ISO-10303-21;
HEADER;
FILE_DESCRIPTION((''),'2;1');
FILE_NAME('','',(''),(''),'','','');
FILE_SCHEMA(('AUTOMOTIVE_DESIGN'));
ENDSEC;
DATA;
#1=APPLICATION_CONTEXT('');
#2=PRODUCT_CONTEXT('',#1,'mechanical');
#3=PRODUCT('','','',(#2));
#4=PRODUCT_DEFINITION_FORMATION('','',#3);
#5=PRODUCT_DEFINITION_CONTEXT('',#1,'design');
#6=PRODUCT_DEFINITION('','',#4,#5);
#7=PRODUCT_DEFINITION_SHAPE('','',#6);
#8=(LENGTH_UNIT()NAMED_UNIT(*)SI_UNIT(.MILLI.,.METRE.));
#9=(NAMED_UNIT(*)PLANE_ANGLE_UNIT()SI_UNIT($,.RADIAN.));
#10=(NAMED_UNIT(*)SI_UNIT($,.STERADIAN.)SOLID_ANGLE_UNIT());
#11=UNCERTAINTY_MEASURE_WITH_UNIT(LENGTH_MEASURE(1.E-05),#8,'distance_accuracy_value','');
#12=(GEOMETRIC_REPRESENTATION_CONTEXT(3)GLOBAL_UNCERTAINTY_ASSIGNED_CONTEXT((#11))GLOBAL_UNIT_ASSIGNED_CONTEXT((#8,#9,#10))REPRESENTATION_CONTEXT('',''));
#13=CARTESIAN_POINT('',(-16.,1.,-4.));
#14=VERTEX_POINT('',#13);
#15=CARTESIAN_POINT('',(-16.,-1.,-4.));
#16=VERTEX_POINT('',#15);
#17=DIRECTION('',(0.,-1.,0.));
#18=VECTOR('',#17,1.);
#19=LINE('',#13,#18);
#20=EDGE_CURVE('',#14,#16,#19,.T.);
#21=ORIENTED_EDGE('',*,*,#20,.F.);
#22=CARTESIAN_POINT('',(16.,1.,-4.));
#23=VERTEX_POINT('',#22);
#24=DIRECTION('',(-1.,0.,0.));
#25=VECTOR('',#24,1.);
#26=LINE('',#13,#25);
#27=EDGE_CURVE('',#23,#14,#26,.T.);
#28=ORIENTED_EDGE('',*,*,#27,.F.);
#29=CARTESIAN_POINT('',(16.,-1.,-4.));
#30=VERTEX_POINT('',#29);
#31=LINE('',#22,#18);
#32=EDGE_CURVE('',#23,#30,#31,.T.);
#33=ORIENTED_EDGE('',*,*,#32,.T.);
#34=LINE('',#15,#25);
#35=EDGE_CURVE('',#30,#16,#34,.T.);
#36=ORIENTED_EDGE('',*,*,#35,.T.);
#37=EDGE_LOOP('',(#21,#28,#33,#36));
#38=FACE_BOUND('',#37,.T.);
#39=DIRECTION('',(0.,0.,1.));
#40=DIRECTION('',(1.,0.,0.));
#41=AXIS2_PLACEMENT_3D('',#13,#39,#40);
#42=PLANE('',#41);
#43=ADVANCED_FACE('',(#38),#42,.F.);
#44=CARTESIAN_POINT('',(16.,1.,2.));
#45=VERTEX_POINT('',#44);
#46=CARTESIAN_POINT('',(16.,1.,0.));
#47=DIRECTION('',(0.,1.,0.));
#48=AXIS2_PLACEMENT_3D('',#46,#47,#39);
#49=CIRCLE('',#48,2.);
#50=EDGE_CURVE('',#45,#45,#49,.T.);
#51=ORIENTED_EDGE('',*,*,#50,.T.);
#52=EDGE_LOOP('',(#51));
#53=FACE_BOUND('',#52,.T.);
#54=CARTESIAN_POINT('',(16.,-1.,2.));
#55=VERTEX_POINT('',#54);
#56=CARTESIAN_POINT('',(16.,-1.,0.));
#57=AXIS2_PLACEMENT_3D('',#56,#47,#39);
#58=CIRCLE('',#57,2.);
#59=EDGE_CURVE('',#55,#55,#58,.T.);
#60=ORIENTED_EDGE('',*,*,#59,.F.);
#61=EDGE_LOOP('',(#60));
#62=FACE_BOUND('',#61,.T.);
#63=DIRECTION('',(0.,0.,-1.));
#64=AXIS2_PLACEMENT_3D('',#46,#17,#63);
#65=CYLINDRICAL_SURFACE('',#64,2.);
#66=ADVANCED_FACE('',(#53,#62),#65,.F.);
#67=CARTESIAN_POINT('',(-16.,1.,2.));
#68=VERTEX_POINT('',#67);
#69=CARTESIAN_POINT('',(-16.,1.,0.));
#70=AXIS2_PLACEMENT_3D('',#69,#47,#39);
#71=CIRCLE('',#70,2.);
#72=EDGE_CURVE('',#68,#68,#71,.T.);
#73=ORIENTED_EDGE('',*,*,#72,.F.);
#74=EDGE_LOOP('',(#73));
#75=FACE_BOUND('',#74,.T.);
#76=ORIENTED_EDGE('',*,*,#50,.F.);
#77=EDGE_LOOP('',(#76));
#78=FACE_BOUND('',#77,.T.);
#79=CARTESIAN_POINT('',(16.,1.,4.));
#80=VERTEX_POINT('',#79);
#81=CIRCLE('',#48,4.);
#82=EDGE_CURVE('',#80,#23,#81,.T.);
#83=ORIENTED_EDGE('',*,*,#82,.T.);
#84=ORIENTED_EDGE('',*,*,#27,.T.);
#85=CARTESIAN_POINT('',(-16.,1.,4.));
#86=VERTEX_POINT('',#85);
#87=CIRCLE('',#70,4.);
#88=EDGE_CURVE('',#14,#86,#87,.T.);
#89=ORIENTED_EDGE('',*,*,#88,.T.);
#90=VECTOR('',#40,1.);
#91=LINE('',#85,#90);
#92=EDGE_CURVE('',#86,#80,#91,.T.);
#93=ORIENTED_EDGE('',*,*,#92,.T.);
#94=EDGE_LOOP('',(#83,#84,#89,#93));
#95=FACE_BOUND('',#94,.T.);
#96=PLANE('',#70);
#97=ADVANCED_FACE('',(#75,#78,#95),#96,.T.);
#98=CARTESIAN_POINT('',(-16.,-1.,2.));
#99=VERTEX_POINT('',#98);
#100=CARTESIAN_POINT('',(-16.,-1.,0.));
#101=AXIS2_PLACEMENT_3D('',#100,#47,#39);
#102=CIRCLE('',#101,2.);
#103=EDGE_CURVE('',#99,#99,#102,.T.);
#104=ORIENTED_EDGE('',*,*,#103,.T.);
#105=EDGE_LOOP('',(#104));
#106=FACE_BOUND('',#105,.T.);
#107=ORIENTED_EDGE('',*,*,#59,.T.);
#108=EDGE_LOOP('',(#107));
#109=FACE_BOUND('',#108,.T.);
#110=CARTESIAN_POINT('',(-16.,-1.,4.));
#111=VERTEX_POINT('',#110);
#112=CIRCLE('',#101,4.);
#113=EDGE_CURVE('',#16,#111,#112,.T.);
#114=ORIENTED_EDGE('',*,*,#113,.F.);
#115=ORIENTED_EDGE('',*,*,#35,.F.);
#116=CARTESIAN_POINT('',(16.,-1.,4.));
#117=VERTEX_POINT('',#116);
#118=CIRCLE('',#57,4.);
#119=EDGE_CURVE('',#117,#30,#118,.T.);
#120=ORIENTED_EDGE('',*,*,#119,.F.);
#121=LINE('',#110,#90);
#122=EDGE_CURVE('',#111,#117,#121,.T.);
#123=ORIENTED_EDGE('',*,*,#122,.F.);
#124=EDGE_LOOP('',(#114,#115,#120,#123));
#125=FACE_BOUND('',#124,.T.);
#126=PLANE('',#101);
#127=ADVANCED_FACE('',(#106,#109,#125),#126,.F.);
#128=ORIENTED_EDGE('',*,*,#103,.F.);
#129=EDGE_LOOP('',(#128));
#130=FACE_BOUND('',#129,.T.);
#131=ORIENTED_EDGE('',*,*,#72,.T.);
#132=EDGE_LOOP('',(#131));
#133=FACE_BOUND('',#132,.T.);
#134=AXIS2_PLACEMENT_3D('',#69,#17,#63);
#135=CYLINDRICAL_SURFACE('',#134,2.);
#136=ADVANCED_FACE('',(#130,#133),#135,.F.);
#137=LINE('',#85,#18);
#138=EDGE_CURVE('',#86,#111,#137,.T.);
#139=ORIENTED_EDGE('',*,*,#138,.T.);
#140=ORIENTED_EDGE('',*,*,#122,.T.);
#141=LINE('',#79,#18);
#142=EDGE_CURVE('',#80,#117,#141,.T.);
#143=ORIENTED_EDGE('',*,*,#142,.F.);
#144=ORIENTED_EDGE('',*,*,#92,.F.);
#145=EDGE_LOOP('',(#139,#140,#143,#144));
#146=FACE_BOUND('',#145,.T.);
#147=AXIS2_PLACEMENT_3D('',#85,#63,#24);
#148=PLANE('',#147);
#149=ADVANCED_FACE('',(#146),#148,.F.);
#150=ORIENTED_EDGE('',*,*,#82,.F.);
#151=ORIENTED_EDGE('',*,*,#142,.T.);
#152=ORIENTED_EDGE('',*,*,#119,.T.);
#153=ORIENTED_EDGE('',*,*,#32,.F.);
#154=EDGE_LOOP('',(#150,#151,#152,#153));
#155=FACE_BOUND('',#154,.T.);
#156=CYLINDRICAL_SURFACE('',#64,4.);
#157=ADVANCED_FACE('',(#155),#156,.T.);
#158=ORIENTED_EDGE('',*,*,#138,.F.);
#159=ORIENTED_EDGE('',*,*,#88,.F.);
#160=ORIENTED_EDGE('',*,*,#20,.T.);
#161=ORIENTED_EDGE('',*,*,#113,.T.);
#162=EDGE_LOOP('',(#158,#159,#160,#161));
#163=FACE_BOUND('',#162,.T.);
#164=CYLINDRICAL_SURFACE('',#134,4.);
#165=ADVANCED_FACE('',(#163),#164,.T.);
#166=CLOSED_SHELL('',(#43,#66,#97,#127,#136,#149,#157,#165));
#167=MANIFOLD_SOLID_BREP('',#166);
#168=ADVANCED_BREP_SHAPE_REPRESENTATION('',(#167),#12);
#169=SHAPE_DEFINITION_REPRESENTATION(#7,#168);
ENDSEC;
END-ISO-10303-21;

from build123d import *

# Parameters (mm, degrees)
SKETCH2_R           = 2
BOSS_EXTRUDE1_DEPTH = 1


with BuildPart() as part:
    # Sketch2 → Boss-Extrude1 (new body, symmetric)
    with BuildSketch(Plane(origin=(0, 0, 0), x_dir=(1, 0, 0), z_dir=(0, 1, 0))):
        with BuildLine():
            Line((-16, 4), (16, 4))
            ThreePointArc((16, 4), (20, 0), (16, -4))
            Line((16, -4), (-16, -4))
            ThreePointArc((-16, -4), (-20, 0), (-16, 4))
        make_face()
        with Locations((16, 0)):
            Circle(SKETCH2_R, mode=Mode.SUBTRACT)
        with Locations((-16, 0)):
            Circle(SKETCH2_R, mode=Mode.SUBTRACT)
    extrude(amount=BOSS_EXTRUDE1_DEPTH, both=True)


solid = part.part
